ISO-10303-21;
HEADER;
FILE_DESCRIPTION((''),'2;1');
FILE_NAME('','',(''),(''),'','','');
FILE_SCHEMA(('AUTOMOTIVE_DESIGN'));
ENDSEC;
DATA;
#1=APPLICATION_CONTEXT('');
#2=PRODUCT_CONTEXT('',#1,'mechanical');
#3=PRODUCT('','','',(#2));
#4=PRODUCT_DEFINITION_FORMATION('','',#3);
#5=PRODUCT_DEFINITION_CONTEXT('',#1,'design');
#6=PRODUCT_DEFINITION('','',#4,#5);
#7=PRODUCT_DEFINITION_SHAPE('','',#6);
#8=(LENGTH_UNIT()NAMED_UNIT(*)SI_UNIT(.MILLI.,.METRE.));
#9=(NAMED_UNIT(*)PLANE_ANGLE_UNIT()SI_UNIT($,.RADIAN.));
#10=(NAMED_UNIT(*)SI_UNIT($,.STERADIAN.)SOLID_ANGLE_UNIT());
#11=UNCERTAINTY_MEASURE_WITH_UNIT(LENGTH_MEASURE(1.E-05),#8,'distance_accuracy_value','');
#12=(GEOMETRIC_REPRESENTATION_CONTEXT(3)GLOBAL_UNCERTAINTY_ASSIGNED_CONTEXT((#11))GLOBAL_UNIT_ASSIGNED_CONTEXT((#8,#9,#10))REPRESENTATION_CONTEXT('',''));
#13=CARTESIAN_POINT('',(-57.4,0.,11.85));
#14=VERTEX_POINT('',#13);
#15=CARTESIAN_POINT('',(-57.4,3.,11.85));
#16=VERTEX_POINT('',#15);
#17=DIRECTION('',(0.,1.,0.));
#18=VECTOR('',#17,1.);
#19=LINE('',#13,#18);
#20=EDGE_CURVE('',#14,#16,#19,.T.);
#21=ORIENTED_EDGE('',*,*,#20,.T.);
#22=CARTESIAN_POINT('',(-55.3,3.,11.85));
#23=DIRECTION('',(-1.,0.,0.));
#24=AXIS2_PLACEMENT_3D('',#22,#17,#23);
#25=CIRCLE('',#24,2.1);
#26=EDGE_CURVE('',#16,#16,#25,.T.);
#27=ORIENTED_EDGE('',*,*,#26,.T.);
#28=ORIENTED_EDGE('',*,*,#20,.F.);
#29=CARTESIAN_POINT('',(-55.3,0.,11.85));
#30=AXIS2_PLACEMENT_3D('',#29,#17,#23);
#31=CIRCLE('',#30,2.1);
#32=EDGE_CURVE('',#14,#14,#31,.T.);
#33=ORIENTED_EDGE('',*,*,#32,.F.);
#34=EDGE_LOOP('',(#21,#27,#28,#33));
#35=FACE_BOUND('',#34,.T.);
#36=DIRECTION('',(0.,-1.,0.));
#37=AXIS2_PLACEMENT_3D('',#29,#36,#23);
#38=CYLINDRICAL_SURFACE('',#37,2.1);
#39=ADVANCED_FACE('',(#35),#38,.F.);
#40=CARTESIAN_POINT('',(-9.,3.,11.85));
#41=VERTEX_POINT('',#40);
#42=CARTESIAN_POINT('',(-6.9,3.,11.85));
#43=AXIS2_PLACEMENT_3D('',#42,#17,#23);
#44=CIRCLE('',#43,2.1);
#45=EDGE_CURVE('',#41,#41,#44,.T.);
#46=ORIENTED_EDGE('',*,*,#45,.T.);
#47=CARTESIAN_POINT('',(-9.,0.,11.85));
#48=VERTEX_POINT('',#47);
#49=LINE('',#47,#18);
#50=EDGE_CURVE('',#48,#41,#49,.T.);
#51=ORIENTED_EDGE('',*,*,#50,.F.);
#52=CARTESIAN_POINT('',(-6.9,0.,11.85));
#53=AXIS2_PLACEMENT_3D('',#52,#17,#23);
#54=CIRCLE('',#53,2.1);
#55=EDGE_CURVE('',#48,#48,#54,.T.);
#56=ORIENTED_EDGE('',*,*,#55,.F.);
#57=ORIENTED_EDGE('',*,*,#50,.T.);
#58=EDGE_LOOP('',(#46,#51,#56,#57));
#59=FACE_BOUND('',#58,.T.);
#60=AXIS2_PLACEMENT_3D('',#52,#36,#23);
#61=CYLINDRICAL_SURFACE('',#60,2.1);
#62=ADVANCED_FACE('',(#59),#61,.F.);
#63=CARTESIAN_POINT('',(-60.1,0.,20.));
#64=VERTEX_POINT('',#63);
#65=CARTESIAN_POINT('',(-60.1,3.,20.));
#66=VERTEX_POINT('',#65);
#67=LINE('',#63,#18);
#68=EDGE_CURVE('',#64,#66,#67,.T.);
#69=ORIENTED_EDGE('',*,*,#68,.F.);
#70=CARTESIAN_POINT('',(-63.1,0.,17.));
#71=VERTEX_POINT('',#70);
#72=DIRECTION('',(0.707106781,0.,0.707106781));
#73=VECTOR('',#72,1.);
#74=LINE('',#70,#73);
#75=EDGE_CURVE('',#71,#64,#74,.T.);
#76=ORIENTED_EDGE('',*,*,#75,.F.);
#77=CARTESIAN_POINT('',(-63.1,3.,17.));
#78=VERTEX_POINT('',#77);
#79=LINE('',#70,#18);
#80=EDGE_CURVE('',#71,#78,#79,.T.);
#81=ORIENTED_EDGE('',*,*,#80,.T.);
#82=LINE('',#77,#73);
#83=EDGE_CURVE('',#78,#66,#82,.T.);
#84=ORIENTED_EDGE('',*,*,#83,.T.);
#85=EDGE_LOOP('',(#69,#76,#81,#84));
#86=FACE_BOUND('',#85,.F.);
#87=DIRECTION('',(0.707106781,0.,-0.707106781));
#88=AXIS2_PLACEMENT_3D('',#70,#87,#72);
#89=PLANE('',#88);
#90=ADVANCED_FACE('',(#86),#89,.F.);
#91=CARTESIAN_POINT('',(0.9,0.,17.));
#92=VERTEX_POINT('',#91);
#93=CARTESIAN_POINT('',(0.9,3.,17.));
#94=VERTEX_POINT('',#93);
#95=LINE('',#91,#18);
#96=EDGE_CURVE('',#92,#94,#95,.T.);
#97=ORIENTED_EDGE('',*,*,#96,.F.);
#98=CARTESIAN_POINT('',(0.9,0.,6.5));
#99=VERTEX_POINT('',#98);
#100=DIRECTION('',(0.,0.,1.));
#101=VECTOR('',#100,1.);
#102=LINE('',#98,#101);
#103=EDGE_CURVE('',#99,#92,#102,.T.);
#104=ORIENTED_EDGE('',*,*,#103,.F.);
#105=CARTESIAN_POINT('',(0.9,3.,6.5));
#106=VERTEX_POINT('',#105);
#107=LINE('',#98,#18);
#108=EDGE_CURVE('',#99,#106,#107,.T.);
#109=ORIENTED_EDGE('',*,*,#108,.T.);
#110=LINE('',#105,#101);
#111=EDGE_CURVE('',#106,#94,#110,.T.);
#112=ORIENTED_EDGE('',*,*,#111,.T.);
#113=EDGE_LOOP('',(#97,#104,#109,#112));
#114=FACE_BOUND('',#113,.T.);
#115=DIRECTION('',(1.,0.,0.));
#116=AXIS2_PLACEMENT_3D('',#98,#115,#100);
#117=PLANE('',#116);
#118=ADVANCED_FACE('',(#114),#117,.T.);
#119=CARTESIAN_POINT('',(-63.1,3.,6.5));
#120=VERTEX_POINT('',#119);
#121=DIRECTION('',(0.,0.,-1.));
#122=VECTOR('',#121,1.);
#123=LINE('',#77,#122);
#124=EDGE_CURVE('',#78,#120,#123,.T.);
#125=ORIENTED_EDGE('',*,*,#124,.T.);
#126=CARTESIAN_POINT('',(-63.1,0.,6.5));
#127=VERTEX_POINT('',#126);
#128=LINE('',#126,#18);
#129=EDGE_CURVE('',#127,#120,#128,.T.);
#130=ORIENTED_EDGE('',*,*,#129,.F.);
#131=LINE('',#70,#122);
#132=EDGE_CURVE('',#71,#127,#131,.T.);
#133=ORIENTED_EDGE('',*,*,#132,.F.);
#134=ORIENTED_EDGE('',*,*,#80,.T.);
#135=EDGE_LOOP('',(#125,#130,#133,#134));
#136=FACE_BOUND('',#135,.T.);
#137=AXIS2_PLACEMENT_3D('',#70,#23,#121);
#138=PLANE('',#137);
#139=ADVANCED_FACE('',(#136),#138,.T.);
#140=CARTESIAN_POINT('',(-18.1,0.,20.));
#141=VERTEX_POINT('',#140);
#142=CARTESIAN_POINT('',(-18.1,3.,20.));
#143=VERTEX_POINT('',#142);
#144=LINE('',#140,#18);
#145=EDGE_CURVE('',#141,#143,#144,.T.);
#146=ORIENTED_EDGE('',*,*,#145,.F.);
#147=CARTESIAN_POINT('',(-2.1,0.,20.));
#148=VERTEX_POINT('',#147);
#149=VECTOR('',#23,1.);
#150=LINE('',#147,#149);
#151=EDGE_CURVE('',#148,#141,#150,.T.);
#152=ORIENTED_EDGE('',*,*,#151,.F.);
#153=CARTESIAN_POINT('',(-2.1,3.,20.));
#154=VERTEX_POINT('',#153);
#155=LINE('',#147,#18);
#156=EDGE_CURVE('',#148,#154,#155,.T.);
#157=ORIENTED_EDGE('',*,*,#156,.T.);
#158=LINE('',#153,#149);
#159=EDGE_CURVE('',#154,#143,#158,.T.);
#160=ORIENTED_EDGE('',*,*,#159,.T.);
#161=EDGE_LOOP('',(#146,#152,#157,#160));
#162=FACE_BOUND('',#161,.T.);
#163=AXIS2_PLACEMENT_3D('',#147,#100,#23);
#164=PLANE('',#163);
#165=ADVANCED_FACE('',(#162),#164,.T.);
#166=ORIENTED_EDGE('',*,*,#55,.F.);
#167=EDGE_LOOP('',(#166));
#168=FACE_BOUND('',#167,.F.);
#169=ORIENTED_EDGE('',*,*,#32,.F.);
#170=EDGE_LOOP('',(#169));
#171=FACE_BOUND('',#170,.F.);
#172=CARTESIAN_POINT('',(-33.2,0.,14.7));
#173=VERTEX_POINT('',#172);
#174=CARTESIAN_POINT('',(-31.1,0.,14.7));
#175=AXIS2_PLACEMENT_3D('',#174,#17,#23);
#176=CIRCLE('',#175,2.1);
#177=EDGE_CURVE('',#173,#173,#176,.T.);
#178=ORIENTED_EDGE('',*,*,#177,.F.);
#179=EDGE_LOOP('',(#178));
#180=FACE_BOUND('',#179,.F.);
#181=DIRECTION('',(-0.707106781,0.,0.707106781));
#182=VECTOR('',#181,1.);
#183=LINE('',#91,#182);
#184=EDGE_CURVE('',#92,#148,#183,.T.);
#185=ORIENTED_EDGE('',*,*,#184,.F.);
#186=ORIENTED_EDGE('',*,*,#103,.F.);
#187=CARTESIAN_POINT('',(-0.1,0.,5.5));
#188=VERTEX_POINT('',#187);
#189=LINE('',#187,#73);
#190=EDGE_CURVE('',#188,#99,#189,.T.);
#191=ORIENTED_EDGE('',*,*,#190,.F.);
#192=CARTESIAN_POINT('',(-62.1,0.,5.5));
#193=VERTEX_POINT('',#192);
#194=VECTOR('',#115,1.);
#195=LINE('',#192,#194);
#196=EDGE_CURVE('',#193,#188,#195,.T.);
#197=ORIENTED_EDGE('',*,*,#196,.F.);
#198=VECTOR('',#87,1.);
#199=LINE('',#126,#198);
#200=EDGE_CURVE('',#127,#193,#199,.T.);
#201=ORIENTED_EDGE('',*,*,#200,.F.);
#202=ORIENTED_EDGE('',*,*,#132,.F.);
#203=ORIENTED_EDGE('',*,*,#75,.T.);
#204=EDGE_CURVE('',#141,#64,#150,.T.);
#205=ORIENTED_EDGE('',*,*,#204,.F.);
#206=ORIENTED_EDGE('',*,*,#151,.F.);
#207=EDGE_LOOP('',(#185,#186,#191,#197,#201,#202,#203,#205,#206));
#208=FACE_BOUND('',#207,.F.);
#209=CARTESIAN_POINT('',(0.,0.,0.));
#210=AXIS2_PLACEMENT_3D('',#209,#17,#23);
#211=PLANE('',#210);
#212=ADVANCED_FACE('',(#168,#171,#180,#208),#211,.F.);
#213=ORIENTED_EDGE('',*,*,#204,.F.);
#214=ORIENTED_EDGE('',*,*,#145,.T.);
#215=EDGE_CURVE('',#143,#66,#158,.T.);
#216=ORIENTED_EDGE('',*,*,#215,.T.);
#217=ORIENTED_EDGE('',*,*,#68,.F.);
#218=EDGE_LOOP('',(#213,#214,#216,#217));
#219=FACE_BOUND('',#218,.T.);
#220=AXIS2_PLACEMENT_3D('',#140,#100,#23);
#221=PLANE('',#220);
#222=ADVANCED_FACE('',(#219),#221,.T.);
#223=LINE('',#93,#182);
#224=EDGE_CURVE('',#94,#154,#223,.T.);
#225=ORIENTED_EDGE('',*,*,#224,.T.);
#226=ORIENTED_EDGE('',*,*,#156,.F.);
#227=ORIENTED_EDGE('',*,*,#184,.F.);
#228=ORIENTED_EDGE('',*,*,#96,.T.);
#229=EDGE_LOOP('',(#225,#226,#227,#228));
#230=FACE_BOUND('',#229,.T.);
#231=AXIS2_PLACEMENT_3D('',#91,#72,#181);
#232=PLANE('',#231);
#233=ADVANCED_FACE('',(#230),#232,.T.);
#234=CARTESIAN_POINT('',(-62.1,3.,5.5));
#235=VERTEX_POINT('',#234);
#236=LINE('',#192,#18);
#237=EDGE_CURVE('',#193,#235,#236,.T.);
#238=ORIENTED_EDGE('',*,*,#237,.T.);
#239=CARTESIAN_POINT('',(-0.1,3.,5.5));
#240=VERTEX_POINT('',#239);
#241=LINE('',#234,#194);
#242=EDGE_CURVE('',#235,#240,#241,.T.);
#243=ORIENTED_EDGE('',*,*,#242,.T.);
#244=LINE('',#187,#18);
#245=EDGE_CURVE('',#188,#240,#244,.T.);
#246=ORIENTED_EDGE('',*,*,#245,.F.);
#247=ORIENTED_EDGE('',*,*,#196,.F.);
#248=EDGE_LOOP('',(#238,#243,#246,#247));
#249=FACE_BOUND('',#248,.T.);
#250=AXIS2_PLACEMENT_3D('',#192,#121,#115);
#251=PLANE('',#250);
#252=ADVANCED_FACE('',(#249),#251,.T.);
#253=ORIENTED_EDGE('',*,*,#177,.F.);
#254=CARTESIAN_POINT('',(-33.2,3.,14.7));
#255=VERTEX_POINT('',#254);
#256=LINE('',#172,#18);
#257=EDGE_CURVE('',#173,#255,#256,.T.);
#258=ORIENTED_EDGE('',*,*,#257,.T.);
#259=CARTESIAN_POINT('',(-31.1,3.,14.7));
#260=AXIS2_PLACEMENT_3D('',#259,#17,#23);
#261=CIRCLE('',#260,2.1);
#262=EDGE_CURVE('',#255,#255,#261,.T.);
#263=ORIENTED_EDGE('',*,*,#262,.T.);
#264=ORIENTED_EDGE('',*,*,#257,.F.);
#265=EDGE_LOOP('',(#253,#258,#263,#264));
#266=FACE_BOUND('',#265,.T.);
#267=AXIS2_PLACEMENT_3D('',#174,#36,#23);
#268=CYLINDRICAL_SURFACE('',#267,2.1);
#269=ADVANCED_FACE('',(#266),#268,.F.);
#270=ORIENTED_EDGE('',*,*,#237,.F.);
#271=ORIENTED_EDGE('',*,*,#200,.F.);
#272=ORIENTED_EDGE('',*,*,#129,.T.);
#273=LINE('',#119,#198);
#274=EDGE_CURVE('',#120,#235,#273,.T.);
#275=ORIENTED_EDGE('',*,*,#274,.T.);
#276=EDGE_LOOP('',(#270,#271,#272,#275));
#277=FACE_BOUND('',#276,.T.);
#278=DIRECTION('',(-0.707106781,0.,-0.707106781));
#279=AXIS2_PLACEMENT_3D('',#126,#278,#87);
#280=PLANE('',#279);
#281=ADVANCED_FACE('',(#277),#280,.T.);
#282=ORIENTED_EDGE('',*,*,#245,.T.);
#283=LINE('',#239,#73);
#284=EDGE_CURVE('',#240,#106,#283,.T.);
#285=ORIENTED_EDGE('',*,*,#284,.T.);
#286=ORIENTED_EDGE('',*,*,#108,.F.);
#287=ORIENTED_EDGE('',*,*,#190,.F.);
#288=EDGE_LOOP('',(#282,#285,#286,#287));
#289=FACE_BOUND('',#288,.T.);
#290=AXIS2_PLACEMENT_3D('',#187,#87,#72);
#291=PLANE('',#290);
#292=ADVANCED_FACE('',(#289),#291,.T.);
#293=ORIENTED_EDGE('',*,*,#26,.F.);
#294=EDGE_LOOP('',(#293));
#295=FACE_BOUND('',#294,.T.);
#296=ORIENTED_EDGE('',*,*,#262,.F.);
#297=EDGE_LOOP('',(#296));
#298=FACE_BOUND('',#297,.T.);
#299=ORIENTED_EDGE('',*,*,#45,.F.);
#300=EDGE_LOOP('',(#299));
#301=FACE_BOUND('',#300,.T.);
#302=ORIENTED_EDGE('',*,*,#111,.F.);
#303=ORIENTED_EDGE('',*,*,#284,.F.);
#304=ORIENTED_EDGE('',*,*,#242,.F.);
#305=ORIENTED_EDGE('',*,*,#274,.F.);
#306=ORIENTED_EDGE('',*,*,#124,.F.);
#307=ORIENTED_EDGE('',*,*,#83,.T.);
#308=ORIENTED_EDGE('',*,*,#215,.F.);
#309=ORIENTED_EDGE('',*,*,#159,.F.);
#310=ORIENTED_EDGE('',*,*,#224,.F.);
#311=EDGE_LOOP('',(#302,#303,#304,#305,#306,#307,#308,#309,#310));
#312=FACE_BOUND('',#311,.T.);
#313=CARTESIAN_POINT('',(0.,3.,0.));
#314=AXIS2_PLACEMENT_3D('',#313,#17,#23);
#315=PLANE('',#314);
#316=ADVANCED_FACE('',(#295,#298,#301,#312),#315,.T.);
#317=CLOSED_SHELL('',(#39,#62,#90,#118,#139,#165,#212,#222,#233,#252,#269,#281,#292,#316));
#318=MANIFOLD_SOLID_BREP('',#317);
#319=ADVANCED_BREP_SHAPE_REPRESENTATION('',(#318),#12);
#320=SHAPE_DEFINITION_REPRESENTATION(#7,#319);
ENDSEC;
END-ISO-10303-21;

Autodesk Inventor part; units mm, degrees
ref_plane "YZ Plane" through (0, 0, 0) normal (1, 0, 0) x (0, 1, 0)
ref_plane "XZ Plane" through (0, 0, 0) normal (0, 1, 0) x (-1, 0, 0)
ref_plane "XY Plane" through (0, 0, 0) normal (0, 0, 1) x (1, 0, 0)
sketch "スケッチ1" plane through (0, 0, 0) normal (0, 1, 0) x (-1, 0, 0)
  circle A0 centre (55.3, 11.85) radius 2.1
  circle A1 centre (31.1, 14.7) radius 2.1
  circle A2 centre (6.9, 11.85) radius 2.1
  line L0 (62.1, 5.5) -> (0.1, 5.5)
  line L1 (2.1, 20) -> (60.1, 20)
  line L2 (2.1, 20) -> (18.1, 20)
  line L3 (-0.9, 6.5) -> (-0.9, 17)
  line L4 (63.1, 17) -> (63.1, 6.5)
  line L5 (63.1, 17) -> (60.1, 20)
  line L6 (-0.9, 17) -> (2.1, 20)
  line L7 (63.1, 6.5) -> (62.1, 5.5)
  line L8 (0.1, 5.5) -> (-0.9, 6.5)
  point P0 (0, 0)
  point P1 (-0.9, 5.5)
  point P2 (-0.9, 20)
  point P3 (63.1, 20)
  point P4 (63.1, 5.5)
  dimension "d0" = 64
  dimension "d2" = 14.5
  dimension "d3" = 4.2
  dimension "d4" = 4.2
  dimension "d5" = 4.2
  dimension "d8" = 3
  dimension "d9" = 3
  dimension "d10" = 3
  dimension "d11" = 3
  dimension "d12" = 1
  dimension "d13" = 1
  dimension "d14" = 1
  dimension "d15" = 1
extrude "押し出し1" add sketch "スケッチ1" along normal blind 3
equation "\"d4\" = d3"
equation "\"d5\" = d4"
equation "\"d9\" = d8"
equation "\"d10\" = d8"
equation "\"d11\" = d10"
equation "\"d13\" = d12"
equation "\"d14\" = d12"
equation "\"d15\" = d14"
properties part number "stopperver2_1"
